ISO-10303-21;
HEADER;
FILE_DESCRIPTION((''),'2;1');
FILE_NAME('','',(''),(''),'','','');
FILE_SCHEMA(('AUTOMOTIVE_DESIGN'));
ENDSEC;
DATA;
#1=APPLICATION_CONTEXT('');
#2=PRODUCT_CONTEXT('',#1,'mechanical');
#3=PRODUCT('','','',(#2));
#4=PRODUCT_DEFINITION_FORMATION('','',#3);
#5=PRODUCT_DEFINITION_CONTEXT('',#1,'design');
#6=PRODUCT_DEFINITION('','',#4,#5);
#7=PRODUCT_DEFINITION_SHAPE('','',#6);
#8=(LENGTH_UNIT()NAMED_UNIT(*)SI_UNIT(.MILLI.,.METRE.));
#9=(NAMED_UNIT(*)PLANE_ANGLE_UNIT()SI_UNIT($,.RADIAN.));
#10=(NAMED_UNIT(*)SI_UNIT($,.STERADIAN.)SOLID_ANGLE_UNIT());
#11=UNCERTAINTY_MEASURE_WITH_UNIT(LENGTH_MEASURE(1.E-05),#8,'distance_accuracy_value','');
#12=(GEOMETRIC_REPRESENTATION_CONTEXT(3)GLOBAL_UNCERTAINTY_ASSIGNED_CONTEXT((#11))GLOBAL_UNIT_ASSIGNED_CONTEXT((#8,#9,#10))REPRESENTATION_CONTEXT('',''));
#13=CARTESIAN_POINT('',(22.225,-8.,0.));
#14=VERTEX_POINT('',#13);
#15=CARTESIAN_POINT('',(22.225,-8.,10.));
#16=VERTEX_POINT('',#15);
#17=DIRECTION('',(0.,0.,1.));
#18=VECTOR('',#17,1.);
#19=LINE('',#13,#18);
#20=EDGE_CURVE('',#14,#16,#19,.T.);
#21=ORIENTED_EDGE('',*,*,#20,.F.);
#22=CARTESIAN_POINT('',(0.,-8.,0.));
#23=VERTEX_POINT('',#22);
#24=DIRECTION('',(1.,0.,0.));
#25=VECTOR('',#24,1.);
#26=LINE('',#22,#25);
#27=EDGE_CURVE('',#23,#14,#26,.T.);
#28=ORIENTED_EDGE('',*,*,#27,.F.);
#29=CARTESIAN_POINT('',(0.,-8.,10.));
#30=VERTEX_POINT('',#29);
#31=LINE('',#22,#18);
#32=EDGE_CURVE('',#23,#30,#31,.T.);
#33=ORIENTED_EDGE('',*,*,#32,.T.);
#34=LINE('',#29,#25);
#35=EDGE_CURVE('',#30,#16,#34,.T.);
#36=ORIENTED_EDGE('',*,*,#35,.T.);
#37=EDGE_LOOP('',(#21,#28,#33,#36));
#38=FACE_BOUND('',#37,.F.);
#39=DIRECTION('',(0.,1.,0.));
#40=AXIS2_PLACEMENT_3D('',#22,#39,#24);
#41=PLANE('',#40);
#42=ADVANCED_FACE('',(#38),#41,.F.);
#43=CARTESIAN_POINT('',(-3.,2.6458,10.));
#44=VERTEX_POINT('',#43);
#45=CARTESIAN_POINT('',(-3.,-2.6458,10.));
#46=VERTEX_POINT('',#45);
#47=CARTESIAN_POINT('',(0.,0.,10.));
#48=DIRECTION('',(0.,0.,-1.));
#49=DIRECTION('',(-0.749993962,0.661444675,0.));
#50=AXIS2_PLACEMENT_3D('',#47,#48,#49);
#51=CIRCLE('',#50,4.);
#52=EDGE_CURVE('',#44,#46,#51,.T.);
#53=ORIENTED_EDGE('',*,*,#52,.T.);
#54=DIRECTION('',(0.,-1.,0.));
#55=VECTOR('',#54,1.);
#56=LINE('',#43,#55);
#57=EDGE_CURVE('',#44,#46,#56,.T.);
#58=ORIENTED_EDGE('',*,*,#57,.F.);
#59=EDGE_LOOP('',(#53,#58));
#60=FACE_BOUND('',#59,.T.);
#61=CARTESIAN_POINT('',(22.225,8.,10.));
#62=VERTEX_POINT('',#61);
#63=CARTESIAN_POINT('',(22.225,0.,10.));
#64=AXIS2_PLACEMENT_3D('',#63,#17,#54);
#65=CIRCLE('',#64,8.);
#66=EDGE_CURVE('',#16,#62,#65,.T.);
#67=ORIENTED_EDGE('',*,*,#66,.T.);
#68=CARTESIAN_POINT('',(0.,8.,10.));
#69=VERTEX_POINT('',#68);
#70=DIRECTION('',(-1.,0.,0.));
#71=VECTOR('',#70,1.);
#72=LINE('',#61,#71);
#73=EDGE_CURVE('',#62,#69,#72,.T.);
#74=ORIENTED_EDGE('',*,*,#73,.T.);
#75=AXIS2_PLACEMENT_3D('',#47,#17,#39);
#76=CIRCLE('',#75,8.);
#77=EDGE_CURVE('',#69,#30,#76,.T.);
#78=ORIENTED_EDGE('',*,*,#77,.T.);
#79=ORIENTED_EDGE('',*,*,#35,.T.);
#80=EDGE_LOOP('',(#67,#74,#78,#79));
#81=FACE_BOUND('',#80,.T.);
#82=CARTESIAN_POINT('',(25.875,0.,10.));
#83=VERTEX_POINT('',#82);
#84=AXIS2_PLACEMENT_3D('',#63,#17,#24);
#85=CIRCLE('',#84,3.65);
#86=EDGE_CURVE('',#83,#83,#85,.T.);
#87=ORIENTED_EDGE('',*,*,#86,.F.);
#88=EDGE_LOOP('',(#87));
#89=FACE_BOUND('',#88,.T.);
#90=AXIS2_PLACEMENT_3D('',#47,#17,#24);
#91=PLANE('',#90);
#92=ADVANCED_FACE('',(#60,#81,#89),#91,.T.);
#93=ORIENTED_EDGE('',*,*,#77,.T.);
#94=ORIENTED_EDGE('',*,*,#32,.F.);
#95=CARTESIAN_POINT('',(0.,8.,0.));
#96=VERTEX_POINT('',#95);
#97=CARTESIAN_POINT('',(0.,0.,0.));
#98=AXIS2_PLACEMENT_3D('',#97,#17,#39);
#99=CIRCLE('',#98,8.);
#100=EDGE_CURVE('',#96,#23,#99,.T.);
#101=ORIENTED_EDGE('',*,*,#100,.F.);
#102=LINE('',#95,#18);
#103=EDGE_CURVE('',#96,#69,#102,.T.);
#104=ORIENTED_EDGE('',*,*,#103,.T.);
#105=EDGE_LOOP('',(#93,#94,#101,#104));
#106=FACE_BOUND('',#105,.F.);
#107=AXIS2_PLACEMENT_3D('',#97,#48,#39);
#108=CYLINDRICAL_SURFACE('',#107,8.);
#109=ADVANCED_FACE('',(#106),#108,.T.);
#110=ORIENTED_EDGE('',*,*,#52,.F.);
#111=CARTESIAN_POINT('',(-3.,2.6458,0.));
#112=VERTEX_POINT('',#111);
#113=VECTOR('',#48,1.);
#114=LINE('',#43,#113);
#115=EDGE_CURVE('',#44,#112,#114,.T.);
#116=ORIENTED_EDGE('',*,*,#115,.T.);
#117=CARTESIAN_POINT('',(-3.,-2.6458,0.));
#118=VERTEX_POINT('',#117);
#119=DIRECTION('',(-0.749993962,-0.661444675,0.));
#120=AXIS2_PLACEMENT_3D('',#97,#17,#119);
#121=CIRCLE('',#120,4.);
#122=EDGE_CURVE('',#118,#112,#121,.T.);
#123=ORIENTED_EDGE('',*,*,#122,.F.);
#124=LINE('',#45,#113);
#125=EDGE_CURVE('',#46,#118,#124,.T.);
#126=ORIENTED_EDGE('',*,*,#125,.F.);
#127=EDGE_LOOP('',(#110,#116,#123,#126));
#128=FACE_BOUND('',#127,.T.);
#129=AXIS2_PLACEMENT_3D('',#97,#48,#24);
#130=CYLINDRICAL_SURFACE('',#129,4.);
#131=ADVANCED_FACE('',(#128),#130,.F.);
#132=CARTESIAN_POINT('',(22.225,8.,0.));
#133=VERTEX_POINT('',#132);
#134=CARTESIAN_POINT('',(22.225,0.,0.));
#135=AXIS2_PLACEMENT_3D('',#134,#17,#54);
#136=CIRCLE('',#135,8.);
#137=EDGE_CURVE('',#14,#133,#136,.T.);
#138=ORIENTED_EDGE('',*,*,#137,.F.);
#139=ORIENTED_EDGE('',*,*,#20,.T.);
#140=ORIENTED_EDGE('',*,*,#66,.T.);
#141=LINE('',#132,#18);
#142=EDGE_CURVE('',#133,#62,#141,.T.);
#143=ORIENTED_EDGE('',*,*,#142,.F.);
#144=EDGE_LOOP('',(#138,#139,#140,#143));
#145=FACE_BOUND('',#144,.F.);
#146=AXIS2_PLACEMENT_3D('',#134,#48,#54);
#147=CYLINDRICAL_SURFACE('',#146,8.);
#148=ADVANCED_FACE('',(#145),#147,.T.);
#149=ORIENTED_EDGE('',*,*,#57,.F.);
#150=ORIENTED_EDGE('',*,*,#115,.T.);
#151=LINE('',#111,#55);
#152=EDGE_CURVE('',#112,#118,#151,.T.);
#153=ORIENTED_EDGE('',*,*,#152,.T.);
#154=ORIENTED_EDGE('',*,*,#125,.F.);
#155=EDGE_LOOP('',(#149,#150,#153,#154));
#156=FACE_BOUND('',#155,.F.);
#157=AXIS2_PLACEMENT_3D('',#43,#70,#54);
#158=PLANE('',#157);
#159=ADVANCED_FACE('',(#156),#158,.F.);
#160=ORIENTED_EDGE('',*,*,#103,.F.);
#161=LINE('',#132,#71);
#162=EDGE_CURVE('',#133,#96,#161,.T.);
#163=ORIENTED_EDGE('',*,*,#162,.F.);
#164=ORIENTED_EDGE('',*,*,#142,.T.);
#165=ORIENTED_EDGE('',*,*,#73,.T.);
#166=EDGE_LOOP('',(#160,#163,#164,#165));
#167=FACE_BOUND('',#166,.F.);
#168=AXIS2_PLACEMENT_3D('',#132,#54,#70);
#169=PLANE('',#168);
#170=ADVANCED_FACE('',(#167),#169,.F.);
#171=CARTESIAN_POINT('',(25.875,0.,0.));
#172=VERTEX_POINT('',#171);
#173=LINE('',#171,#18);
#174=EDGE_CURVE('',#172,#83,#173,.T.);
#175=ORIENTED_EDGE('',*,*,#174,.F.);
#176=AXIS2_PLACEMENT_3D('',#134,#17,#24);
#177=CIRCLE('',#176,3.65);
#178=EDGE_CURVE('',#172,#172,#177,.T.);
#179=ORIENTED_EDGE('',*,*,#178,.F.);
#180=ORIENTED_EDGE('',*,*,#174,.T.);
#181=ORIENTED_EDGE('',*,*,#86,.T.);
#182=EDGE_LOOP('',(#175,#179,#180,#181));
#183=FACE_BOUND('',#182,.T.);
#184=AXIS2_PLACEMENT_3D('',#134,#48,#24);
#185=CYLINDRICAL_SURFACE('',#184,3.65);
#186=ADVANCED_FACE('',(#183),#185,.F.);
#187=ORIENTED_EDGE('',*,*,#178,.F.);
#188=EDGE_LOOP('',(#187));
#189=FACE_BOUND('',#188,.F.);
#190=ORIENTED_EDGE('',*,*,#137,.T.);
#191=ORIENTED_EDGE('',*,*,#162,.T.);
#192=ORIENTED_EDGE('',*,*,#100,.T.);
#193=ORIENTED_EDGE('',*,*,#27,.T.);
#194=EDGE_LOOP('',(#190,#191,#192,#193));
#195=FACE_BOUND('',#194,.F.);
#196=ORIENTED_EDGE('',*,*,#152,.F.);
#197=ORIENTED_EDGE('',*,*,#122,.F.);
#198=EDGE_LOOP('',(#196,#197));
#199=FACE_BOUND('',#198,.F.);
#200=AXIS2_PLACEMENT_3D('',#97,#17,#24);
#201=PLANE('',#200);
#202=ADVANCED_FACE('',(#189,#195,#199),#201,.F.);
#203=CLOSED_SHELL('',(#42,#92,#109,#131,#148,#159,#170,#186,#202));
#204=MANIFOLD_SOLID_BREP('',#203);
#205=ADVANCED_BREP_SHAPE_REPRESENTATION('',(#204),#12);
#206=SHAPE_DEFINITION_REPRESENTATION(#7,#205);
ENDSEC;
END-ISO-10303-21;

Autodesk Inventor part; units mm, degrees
ref_plane "YZ Plane" through (0, 0, 0) normal (1, 0, 0) x (0, 1, 0)
ref_plane "XZ Plane" through (0, 0, 0) normal (0, 1, 0) x (-1, 0, 0)
ref_plane "XY Plane" through (0, 0, 0) normal (0, 0, 1) x (1, 0, 0)
sketch "Sketch1" plane through (0, 0, 0) normal (0, 0, 1) x (1, 0, 0)
  line L0 (0, 0) -> (22.225, 0) construction
  line L1 (0, -8) -> (22.225, -8)
  line L2 (22.225, 8) -> (0, 8)
  arc A0 (0, 8) -> (0, -8) centre (0, 0) ccw
  arc A1 (22.225, -8) -> (22.225, 8) centre (22.225, 0) ccw
  circle A2 centre (22.225, 0) radius 3.65
  circle A3 centre (0, 0) radius 4
  point P0 (11.1125, 0)
  dimension "d0" = 22.225
  dimension "d1" = 8
  dimension "d2" = 7.3
  dimension "d3" = 16
extrude "Extrusion1" add sketch "Sketch1" along normal blind 10
sketch "Sketch2" plane through (0, 0, 10) normal (0, 0, 1) x (1, 0, 0)
  circle A0 centre (0, 0) radius 4 projected
  arc A1 (-3, 2.6458) -> (-3, -2.6458) centre (0, 0) ccw
  line L0 (-3, 2.6458) -> (-3, -2.6458)
  dimension "d6" = 7
extrude "Extrusion2" add sketch "Sketch2" against normal up to surface (10 mm away) contours L0 A0 picked at (-3.1815, -0.6179)
properties part number "crank"
